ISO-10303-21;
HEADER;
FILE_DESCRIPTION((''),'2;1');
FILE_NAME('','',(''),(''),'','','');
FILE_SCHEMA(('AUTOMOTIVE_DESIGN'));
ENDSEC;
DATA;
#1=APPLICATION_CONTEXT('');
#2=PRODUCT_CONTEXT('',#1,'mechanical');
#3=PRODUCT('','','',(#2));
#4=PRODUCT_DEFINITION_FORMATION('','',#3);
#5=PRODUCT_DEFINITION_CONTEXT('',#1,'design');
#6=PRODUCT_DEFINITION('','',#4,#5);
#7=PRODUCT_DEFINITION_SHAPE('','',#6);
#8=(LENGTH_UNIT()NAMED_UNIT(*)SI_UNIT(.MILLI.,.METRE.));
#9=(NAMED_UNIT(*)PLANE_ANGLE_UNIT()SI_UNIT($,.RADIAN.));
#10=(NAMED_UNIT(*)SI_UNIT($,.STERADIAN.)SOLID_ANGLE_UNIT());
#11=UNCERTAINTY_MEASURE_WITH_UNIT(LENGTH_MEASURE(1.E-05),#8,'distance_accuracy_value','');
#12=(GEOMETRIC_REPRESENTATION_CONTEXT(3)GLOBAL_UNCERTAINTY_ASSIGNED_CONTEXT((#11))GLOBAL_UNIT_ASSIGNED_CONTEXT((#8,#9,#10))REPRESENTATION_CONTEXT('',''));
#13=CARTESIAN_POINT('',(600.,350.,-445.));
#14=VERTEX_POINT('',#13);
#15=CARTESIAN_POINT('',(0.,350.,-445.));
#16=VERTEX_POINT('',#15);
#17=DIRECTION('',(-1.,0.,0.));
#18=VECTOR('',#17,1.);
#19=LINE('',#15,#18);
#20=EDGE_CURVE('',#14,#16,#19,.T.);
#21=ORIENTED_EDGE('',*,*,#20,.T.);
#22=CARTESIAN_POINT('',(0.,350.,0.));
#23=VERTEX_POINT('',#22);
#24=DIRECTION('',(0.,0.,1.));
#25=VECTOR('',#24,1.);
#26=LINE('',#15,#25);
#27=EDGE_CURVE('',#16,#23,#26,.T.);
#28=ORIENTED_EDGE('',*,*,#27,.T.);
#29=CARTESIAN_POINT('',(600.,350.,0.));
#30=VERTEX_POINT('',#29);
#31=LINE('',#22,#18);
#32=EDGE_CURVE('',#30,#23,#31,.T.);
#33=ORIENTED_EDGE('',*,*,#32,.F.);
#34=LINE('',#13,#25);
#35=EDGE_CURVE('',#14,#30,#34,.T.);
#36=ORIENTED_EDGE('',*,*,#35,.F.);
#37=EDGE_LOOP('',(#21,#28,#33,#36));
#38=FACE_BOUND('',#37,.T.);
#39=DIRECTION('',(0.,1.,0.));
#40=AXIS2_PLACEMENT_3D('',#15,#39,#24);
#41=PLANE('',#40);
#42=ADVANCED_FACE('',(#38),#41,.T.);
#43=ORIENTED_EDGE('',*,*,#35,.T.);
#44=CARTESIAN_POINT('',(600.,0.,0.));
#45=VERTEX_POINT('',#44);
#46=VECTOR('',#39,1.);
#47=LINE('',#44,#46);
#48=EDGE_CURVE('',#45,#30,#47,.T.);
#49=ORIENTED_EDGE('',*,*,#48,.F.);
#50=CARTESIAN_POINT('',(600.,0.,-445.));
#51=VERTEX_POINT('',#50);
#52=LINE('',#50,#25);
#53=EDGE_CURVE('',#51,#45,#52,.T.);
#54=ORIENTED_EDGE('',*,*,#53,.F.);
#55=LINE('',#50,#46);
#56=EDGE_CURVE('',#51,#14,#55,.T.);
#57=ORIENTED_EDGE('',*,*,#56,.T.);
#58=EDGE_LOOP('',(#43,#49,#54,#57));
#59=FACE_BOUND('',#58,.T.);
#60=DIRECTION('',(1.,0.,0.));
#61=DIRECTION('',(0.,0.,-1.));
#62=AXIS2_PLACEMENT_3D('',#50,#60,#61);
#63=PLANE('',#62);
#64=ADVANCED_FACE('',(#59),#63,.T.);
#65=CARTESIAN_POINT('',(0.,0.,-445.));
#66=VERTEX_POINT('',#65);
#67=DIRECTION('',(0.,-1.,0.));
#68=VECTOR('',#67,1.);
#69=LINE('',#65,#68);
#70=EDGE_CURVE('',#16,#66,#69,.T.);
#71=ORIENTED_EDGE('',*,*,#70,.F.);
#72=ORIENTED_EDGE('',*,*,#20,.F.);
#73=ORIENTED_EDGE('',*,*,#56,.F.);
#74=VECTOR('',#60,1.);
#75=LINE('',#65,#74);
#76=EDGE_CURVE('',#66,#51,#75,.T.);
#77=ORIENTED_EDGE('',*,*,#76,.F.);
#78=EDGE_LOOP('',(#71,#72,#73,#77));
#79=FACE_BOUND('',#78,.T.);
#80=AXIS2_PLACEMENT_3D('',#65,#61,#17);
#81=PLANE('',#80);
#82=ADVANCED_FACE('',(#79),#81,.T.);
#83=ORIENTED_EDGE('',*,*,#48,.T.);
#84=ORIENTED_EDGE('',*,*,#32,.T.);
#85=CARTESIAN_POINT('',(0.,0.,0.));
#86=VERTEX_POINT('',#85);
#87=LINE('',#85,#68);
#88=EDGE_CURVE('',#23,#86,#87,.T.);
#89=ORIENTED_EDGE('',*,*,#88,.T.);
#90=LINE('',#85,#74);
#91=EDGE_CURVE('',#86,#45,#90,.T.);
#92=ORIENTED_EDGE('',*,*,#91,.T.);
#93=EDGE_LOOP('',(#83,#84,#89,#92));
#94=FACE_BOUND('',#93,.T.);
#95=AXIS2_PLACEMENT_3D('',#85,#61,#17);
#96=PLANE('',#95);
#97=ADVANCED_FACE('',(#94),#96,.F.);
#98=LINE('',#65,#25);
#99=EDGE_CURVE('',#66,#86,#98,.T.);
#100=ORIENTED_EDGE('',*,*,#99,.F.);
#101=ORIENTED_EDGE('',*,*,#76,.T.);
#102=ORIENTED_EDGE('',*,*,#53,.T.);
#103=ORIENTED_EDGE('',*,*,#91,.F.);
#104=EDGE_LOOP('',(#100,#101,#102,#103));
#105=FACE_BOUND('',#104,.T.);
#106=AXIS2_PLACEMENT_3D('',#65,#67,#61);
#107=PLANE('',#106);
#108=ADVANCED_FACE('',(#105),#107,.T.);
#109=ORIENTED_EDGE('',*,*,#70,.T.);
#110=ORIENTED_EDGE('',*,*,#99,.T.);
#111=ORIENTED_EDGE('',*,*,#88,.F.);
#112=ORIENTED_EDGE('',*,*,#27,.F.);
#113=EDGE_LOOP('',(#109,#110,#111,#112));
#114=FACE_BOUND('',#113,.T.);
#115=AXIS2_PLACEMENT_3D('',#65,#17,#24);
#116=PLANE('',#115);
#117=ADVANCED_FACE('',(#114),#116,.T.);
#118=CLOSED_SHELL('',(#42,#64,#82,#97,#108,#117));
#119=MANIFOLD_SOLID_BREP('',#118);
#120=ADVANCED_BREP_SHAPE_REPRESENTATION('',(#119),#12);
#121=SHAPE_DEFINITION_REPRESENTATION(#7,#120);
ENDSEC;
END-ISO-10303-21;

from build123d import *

# Parameters (mm, degrees)
SKETCH1_W           = 600
SKETCH1_H           = 350
BOSS_EXTRUDE1_DEPTH = 445


with BuildPart() as part:
    # Sketch1 → Boss-Extrude1 (new body)
    with BuildSketch(Plane.XY):
        with Locations((300, 175)):
            Rectangle(SKETCH1_W, SKETCH1_H)
    extrude(amount=-BOSS_EXTRUDE1_DEPTH)


solid = part.part
